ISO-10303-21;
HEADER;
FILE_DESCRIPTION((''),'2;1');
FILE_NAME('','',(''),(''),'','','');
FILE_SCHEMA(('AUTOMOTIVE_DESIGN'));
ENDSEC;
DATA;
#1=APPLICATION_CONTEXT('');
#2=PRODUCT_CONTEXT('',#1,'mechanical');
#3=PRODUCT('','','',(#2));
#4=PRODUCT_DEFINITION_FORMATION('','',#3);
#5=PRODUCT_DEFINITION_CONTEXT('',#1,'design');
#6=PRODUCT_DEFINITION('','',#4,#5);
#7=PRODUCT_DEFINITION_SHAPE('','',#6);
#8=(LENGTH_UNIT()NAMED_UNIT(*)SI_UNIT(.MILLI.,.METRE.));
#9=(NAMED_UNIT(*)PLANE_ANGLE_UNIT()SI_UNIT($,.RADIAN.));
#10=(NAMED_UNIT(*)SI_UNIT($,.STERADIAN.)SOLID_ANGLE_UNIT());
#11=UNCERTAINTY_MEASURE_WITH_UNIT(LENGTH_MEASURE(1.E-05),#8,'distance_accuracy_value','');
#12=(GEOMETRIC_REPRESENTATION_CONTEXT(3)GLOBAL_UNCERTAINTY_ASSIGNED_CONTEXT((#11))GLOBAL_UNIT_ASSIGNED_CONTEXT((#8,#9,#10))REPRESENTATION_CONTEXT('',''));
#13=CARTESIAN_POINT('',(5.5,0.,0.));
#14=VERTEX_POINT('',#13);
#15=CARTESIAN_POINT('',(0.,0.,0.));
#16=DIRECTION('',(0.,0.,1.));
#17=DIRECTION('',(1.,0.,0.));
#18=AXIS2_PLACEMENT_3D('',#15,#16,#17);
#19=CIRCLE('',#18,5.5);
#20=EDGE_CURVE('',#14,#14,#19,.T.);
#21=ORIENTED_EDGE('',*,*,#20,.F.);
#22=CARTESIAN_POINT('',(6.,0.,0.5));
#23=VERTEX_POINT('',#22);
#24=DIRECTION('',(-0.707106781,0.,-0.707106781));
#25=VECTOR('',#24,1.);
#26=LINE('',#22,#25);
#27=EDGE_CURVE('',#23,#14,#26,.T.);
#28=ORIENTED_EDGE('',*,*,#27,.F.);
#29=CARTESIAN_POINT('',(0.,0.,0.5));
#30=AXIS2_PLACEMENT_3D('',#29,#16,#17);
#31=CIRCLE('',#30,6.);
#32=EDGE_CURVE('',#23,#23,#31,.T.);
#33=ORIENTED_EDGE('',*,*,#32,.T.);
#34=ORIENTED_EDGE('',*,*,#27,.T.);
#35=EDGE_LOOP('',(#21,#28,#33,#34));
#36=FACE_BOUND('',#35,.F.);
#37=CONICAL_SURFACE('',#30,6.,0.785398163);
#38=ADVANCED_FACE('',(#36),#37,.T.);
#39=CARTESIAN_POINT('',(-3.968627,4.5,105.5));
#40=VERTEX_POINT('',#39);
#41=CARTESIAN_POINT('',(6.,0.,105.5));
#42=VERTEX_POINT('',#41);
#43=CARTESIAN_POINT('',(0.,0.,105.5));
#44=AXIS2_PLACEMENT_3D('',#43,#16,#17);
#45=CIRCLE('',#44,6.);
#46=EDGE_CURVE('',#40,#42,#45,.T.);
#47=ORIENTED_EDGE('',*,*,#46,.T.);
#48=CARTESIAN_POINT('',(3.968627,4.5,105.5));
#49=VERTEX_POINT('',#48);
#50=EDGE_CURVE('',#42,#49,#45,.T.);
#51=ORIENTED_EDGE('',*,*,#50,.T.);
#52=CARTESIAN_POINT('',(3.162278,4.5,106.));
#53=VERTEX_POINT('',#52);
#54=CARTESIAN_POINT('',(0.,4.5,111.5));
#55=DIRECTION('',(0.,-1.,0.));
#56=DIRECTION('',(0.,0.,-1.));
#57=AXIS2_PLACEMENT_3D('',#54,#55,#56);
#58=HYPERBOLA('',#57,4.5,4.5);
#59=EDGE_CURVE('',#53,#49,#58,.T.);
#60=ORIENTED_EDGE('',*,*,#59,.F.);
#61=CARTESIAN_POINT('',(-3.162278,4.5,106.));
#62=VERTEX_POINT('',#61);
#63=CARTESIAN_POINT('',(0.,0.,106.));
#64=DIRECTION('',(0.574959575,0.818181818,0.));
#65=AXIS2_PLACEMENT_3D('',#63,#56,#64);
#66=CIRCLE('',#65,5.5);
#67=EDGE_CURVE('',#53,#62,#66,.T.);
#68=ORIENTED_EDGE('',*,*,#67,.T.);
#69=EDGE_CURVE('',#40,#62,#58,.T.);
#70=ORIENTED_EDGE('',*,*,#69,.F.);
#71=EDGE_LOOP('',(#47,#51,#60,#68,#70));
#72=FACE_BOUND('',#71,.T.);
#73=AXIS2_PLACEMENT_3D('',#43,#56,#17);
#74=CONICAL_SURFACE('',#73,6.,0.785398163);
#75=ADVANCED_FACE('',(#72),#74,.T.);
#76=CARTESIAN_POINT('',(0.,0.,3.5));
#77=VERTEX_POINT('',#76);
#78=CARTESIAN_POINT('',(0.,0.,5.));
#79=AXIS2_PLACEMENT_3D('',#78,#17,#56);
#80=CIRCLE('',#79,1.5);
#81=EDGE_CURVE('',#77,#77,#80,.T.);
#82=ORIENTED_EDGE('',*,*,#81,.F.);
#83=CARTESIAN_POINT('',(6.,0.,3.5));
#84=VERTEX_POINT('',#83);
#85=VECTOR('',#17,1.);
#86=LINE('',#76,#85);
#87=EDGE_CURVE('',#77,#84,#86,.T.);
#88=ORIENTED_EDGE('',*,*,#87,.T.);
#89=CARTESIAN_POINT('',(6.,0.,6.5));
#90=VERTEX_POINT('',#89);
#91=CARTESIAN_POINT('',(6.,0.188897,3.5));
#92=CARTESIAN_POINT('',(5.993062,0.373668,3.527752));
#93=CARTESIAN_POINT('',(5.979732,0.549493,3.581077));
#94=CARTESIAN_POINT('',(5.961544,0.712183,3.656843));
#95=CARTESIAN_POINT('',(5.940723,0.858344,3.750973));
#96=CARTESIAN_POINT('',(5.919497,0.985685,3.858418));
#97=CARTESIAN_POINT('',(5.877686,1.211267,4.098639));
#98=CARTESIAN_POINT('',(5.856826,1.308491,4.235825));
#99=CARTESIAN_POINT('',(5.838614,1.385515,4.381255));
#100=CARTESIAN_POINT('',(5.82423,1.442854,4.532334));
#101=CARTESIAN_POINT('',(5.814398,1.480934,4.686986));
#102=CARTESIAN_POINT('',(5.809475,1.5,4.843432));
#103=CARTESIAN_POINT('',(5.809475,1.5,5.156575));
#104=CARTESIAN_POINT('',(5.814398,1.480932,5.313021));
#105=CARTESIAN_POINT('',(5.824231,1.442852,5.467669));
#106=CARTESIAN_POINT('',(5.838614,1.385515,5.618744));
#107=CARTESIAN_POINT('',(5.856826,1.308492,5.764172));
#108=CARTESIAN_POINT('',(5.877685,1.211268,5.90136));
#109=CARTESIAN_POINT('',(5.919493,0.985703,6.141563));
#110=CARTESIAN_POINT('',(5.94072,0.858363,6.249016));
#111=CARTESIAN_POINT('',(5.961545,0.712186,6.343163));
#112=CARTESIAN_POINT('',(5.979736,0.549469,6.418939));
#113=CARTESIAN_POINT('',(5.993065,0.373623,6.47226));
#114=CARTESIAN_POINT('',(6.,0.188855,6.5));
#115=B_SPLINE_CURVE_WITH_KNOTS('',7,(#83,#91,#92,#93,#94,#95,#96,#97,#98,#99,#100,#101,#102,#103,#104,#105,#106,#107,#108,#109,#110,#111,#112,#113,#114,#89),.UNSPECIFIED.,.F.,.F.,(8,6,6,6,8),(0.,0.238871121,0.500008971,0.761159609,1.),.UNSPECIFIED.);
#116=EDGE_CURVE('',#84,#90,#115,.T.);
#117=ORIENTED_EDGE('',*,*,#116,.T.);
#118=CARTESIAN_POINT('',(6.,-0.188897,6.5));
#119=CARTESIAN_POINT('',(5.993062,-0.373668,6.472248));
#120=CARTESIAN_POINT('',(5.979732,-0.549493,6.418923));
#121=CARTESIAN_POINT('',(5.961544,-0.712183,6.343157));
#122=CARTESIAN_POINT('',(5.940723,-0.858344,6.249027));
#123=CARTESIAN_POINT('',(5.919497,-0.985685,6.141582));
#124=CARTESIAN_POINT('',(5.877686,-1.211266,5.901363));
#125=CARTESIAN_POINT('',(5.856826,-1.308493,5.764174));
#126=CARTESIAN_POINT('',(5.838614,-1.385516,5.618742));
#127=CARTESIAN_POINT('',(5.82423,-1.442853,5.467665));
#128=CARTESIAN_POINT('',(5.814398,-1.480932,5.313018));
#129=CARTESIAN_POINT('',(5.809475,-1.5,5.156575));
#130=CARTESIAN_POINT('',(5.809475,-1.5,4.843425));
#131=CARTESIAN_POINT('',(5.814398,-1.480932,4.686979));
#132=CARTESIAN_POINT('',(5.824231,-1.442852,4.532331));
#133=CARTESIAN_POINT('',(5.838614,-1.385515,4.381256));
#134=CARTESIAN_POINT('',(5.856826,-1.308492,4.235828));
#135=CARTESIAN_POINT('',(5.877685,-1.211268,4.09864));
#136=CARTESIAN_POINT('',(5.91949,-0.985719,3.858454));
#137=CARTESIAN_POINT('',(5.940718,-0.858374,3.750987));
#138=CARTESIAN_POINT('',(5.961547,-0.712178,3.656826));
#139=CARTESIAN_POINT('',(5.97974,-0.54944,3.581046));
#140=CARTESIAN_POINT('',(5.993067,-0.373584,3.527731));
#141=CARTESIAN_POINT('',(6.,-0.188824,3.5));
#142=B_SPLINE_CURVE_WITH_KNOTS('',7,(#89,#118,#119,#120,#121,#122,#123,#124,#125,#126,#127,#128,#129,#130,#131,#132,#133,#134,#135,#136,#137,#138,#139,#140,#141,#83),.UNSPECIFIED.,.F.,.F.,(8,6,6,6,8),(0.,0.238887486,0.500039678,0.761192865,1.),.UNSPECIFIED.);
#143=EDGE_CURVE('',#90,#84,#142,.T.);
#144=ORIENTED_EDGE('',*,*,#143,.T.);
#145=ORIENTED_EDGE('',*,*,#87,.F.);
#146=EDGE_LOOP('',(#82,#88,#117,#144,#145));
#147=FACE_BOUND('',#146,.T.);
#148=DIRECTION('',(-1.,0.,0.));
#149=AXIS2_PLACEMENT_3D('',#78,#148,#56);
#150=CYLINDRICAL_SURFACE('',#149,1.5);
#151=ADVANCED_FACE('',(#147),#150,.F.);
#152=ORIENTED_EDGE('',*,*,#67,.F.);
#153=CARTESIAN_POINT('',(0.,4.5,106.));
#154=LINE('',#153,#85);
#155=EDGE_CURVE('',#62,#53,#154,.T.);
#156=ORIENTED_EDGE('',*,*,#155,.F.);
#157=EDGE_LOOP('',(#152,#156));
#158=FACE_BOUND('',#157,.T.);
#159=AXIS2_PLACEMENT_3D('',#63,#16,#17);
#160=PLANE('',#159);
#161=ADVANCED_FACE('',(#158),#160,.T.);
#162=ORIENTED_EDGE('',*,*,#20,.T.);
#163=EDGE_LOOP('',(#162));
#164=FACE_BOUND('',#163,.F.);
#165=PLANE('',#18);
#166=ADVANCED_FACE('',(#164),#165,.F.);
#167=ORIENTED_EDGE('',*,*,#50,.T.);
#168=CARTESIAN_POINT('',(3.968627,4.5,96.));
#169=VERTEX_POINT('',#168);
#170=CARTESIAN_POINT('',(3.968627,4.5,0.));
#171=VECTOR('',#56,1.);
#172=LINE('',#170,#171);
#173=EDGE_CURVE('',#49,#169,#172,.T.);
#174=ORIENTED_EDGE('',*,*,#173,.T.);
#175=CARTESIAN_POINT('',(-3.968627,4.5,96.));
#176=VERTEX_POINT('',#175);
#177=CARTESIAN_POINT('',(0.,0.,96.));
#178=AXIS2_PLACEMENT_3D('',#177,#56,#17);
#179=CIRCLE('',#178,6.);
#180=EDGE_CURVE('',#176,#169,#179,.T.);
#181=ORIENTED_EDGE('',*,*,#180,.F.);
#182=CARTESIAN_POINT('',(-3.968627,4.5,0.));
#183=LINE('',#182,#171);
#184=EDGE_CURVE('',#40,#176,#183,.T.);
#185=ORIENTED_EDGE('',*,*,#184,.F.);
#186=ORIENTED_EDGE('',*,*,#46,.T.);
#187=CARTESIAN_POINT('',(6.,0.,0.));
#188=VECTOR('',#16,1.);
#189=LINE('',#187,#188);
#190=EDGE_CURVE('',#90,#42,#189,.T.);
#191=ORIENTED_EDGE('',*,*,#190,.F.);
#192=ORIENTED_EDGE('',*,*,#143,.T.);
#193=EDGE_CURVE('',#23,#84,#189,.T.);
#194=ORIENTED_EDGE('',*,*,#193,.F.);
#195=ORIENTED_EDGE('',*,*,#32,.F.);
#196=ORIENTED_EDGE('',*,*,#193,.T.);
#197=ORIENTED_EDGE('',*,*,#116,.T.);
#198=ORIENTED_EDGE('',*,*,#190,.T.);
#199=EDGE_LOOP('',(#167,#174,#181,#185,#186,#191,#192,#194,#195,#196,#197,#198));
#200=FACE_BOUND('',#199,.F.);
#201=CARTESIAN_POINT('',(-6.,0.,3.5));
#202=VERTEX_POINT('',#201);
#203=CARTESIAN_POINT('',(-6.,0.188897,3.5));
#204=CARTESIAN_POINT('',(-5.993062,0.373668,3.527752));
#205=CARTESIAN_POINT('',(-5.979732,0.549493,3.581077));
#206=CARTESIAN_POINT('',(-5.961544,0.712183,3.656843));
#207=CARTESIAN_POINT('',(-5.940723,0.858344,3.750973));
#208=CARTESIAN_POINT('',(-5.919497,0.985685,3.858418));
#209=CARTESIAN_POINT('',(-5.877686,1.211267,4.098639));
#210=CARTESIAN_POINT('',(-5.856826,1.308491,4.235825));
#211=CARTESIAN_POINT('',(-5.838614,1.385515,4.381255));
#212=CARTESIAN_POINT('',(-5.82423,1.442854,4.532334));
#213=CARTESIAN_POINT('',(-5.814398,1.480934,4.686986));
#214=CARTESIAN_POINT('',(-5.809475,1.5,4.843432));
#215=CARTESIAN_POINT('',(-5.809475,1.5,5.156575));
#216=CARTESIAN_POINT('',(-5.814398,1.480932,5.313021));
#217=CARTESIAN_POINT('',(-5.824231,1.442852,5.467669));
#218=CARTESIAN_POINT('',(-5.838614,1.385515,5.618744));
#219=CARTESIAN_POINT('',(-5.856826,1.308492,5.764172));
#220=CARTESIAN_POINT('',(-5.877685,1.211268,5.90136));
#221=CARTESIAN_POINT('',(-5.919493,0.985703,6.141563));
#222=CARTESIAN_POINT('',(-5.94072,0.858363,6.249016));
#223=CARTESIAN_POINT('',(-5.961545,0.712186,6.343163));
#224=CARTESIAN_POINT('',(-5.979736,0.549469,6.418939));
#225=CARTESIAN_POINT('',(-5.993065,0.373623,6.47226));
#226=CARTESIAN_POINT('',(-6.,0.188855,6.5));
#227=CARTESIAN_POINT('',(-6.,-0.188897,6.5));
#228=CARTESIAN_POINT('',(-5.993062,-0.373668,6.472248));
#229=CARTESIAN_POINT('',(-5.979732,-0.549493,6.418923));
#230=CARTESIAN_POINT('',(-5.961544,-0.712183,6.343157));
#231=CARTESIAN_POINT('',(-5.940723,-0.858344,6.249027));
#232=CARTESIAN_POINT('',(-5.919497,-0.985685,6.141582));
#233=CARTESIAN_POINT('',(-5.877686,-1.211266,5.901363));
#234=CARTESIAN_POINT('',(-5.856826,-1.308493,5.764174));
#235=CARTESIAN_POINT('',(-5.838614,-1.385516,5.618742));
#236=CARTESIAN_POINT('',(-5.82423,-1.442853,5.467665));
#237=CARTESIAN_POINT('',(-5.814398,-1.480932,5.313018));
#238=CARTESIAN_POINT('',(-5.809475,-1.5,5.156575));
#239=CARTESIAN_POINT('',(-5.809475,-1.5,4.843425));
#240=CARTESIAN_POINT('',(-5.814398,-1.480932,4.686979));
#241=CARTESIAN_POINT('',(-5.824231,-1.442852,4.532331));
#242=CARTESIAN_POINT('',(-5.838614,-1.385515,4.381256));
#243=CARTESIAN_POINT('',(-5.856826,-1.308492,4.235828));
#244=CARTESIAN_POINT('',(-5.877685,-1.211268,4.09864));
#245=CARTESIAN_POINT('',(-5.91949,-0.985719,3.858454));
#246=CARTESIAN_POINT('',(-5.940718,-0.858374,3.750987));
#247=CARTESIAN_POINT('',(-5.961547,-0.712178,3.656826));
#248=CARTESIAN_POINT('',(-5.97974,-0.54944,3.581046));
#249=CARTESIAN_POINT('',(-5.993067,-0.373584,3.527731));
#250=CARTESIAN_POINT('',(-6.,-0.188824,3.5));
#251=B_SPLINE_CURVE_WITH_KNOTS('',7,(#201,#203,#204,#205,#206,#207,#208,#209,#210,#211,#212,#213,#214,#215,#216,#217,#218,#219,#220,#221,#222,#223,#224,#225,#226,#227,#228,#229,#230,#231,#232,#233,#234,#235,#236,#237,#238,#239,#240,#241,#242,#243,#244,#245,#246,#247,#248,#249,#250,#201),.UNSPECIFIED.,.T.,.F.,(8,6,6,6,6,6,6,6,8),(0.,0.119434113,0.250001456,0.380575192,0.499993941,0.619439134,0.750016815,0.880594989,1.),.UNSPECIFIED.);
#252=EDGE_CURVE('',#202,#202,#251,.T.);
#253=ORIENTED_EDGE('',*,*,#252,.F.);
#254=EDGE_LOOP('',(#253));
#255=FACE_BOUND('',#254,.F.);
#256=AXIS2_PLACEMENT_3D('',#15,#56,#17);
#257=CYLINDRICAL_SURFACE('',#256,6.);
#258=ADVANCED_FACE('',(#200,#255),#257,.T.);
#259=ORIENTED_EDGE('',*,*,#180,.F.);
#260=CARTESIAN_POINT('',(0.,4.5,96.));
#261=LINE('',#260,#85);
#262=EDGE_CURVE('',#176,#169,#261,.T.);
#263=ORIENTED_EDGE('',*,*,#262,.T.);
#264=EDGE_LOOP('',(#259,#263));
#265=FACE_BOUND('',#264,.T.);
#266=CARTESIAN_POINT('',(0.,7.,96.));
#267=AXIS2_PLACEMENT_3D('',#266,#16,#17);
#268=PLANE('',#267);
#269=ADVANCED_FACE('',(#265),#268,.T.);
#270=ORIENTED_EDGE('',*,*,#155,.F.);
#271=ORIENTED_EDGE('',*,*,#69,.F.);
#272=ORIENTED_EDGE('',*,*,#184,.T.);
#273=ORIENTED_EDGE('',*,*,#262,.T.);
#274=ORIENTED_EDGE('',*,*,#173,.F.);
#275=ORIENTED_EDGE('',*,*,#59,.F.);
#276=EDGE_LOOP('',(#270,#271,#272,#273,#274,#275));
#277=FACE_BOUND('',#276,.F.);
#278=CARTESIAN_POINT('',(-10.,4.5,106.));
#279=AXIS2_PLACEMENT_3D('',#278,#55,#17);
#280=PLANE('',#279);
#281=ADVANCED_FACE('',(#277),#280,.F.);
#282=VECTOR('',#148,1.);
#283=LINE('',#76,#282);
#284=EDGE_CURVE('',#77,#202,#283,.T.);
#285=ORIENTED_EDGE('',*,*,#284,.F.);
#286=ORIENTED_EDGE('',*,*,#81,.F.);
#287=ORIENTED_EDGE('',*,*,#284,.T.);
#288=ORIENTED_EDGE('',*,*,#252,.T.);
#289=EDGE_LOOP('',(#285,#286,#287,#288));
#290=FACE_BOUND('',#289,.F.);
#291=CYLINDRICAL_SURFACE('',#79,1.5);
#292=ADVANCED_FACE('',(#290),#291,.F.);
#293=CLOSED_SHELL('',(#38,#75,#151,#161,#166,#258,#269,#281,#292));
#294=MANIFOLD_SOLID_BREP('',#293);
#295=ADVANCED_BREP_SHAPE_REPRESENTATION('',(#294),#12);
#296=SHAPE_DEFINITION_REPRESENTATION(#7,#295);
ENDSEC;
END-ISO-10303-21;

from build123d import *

# Parameters (mm, degrees)
SKETCH1_R               = 6
BOSS_EXTRUDE1_DEPTH     = 106
CHAMFER1_SIZE           = 0.5
SKETCH2_W               = 20
SKETCH2_H               = 5
CUT_EXTRUDE1_DEPTH      = 10
SKETCH3_R               = 1.5
CUT_EXTRUDE2_DEPTH      = 7
CUT_EXTRUDE2_DEPTH_BACK = 7


with BuildPart() as part:
    # Sketch1 → Boss-Extrude1 (new body)
    with BuildSketch(Plane.XY):
        Circle(SKETCH1_R)
    extrude(amount=BOSS_EXTRUDE1_DEPTH)

    # Chamfer1
    chamfer1_edges = [part.edges().sort_by_distance(p)[0] for p in [
        (-6, 0, 0),
        (-6, 0, 106),
    ]]
    chamfer(chamfer1_edges, length=CHAMFER1_SIZE)

    # Sketch2 → Cut-Extrude1 (cut)
    with BuildSketch(Plane.XY.offset(106)):
        with Locations((0, 7)):
            Rectangle(SKETCH2_W, SKETCH2_H)
    extrude(amount=-CUT_EXTRUDE1_DEPTH, mode=Mode.SUBTRACT)

    # Sketch3 → Cut-Extrude2 (cut, two sides)
    with BuildSketch(Plane(origin=(0, 0, 0), x_dir=(0, 0, -1), z_dir=(1, 0, 0))) as cut_extrude2_sk:
        with Locations((-5, 0)):
            Circle(SKETCH3_R)
    extrude(amount=CUT_EXTRUDE2_DEPTH, mode=Mode.SUBTRACT)
    extrude(cut_extrude2_sk.sketch, amount=-CUT_EXTRUDE2_DEPTH_BACK, mode=Mode.SUBTRACT)


solid = part.part
